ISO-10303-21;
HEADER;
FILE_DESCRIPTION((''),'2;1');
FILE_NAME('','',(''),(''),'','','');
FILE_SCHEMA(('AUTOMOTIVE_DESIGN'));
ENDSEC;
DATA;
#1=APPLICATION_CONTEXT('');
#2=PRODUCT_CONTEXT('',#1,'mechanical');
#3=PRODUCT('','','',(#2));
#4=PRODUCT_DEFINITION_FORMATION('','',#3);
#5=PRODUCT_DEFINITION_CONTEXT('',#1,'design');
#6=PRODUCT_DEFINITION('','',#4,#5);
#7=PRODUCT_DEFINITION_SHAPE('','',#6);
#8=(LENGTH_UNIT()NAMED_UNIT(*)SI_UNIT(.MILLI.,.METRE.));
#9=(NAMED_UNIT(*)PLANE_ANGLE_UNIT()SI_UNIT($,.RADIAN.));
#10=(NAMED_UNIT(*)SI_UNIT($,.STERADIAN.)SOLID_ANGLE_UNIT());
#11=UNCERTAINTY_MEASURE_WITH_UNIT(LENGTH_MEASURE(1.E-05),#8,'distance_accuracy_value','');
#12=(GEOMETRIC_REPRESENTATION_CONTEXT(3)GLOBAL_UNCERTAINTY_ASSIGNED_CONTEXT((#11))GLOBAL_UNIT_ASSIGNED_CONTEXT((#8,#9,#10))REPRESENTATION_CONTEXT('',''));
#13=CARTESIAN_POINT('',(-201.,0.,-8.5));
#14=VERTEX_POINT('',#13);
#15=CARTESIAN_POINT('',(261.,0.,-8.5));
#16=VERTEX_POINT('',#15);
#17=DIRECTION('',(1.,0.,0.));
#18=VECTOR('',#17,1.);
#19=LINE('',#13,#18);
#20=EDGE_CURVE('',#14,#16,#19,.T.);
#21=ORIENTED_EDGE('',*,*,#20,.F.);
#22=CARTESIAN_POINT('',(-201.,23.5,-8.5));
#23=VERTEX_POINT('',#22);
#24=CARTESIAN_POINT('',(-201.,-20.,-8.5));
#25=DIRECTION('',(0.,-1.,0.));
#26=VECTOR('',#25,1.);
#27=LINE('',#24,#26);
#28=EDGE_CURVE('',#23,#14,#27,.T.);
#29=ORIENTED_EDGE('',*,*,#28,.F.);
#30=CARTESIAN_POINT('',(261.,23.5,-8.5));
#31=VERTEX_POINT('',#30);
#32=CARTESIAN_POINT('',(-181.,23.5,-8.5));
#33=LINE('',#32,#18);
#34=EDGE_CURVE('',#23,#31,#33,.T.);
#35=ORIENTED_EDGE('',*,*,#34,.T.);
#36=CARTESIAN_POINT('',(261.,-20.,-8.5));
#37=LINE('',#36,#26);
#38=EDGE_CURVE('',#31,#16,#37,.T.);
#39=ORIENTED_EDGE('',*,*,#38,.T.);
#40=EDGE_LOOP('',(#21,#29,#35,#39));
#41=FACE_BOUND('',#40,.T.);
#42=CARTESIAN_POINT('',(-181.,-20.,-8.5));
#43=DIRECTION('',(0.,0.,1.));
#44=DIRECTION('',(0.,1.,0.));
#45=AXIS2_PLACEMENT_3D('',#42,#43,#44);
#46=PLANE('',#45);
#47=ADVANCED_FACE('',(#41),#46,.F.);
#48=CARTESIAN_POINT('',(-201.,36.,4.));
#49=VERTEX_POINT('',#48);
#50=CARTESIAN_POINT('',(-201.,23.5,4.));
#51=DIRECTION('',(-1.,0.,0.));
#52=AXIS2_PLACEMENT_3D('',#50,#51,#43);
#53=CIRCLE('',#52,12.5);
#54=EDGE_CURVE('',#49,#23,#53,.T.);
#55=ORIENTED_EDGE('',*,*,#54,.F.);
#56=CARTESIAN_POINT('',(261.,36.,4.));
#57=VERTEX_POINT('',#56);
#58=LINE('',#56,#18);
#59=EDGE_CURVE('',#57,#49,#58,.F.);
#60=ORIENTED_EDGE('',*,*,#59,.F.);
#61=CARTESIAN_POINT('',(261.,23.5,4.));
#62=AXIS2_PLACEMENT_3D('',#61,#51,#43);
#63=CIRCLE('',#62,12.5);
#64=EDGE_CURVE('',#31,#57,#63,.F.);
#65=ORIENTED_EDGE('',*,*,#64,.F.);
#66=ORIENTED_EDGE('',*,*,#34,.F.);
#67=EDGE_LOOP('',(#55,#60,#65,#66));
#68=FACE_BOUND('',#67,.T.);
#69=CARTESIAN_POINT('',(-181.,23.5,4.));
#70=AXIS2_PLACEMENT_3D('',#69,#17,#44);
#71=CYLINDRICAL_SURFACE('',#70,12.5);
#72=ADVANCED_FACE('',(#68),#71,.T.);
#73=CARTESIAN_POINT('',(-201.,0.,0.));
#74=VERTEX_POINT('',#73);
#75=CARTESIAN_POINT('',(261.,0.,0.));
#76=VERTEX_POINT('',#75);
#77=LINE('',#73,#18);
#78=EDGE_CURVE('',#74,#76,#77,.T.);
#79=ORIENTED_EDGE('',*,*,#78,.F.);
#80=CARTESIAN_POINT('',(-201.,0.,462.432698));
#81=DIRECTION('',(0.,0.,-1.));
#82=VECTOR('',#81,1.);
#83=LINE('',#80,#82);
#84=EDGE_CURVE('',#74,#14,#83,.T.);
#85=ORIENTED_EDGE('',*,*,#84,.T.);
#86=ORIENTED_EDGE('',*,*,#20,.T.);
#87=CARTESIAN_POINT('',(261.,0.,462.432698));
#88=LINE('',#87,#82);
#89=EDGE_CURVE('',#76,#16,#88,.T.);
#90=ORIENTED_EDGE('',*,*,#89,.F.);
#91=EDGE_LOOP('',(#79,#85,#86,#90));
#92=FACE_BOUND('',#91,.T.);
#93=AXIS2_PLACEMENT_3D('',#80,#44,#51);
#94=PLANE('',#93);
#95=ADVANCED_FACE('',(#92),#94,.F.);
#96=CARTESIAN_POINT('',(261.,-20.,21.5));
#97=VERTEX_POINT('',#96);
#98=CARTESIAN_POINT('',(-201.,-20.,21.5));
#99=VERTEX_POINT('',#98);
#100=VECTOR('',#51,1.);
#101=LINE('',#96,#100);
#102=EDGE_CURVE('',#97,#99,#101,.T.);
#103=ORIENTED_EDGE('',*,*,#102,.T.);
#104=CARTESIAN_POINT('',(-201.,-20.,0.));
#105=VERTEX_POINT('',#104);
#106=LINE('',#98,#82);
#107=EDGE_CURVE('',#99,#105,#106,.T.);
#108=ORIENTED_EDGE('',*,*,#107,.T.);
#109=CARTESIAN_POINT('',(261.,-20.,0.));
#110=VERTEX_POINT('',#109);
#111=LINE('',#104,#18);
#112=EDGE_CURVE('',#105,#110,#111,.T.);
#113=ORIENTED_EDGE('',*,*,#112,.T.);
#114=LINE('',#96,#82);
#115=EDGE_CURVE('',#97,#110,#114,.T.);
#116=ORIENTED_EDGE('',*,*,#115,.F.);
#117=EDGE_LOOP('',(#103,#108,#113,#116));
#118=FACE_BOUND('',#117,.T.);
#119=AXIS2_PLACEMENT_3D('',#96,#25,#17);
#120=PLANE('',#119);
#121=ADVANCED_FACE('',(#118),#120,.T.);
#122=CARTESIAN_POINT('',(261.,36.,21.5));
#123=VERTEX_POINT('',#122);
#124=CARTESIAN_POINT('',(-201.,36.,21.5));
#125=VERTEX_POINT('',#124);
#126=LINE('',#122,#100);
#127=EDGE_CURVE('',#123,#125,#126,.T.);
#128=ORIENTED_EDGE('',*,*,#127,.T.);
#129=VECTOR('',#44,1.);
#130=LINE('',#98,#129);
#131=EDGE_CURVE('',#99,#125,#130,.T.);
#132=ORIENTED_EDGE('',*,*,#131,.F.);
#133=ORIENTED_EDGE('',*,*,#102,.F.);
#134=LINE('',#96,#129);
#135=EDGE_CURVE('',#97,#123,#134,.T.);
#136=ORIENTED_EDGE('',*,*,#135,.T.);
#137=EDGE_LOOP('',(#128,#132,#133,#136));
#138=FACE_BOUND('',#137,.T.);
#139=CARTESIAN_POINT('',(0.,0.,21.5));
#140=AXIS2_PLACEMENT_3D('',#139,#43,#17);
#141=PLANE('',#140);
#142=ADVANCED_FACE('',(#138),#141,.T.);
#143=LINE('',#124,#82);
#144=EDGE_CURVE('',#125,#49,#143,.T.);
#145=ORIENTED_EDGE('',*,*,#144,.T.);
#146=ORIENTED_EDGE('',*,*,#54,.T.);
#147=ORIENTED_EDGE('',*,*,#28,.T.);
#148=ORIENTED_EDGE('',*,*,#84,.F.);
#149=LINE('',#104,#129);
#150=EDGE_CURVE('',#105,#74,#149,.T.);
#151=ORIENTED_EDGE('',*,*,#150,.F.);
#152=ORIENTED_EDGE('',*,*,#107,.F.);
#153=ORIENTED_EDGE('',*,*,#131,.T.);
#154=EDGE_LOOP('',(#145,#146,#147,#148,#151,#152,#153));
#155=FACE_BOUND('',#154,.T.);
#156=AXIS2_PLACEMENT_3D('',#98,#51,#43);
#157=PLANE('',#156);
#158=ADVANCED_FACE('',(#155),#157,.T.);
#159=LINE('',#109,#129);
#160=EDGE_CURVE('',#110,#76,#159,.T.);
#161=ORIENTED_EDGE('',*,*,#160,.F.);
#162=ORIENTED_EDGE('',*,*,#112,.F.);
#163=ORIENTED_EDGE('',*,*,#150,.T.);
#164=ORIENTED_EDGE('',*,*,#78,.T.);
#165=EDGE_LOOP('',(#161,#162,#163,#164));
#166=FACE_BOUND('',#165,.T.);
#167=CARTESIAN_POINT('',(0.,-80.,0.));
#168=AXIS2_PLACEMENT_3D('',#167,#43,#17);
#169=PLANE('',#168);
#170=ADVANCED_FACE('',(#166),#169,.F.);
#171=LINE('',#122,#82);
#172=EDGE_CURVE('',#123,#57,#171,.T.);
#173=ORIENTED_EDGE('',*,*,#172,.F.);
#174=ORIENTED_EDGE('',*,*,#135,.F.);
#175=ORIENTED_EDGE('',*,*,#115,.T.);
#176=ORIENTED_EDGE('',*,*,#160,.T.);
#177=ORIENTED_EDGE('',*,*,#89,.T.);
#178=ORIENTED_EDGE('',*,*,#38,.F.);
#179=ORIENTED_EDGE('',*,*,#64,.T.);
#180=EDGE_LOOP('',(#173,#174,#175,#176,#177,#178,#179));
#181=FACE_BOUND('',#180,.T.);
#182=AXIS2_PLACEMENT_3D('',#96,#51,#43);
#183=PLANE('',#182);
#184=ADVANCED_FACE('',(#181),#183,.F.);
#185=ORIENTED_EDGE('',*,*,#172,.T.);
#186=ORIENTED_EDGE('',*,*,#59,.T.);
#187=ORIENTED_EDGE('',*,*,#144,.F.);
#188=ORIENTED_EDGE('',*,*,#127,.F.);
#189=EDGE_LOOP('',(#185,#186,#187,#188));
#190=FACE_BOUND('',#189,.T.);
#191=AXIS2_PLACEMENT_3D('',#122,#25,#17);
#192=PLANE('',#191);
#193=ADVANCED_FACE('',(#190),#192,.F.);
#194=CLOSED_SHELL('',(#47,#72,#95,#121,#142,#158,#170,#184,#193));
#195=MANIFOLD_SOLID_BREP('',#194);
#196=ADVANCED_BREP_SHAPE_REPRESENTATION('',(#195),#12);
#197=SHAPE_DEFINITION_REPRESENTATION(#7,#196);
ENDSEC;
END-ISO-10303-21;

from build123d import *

# Parameters (mm, degrees)
ESQUISSE1_W             = 462
ESQUISSE1_H             = 56
BOSS_EXTRU_1_DEPTH      = 21.5
BOSS_EXTRU_1_DEPTH_BACK = 8.5
ENL_V_START             = -8.5
ESQUISSE2_W             = 462
ESQUISSE2_H             = 20
ENL_V_MAT_EXTRU_2_DEPTH = 8.5
CONG_1_R                = 12.5


with BuildPart() as part:
    # Esquisse1 → Boss.-Extru.1 (new body, two sides)
    with BuildSketch(Plane.XY) as boss_extru_1_sk:
        with Locations((30, 8)):
            Rectangle(ESQUISSE1_W, ESQUISSE1_H)
    extrude(amount=BOSS_EXTRU_1_DEPTH)
    extrude(boss_extru_1_sk.sketch, amount=-BOSS_EXTRU_1_DEPTH_BACK)

    # Esquisse2 → Enl_v. mat.-Extru.2 (cut)
    with BuildSketch(Plane(origin=(0, 0, -8.5), x_dir=(-1, 0, 0), z_dir=(0, 0, -1)).offset(ENL_V_START)):
        with Locations((-30, -10)):
            Rectangle(ESQUISSE2_W, ESQUISSE2_H)
    extrude(amount=ENL_V_MAT_EXTRU_2_DEPTH, mode=Mode.SUBTRACT)

    # Cong_1
    cong_1_edges = [part.edges().sort_by_distance(p)[0] for p in [
        (30, 36, -8.5),
    ]]
    fillet(cong_1_edges, radius=CONG_1_R)


solid = part.part
